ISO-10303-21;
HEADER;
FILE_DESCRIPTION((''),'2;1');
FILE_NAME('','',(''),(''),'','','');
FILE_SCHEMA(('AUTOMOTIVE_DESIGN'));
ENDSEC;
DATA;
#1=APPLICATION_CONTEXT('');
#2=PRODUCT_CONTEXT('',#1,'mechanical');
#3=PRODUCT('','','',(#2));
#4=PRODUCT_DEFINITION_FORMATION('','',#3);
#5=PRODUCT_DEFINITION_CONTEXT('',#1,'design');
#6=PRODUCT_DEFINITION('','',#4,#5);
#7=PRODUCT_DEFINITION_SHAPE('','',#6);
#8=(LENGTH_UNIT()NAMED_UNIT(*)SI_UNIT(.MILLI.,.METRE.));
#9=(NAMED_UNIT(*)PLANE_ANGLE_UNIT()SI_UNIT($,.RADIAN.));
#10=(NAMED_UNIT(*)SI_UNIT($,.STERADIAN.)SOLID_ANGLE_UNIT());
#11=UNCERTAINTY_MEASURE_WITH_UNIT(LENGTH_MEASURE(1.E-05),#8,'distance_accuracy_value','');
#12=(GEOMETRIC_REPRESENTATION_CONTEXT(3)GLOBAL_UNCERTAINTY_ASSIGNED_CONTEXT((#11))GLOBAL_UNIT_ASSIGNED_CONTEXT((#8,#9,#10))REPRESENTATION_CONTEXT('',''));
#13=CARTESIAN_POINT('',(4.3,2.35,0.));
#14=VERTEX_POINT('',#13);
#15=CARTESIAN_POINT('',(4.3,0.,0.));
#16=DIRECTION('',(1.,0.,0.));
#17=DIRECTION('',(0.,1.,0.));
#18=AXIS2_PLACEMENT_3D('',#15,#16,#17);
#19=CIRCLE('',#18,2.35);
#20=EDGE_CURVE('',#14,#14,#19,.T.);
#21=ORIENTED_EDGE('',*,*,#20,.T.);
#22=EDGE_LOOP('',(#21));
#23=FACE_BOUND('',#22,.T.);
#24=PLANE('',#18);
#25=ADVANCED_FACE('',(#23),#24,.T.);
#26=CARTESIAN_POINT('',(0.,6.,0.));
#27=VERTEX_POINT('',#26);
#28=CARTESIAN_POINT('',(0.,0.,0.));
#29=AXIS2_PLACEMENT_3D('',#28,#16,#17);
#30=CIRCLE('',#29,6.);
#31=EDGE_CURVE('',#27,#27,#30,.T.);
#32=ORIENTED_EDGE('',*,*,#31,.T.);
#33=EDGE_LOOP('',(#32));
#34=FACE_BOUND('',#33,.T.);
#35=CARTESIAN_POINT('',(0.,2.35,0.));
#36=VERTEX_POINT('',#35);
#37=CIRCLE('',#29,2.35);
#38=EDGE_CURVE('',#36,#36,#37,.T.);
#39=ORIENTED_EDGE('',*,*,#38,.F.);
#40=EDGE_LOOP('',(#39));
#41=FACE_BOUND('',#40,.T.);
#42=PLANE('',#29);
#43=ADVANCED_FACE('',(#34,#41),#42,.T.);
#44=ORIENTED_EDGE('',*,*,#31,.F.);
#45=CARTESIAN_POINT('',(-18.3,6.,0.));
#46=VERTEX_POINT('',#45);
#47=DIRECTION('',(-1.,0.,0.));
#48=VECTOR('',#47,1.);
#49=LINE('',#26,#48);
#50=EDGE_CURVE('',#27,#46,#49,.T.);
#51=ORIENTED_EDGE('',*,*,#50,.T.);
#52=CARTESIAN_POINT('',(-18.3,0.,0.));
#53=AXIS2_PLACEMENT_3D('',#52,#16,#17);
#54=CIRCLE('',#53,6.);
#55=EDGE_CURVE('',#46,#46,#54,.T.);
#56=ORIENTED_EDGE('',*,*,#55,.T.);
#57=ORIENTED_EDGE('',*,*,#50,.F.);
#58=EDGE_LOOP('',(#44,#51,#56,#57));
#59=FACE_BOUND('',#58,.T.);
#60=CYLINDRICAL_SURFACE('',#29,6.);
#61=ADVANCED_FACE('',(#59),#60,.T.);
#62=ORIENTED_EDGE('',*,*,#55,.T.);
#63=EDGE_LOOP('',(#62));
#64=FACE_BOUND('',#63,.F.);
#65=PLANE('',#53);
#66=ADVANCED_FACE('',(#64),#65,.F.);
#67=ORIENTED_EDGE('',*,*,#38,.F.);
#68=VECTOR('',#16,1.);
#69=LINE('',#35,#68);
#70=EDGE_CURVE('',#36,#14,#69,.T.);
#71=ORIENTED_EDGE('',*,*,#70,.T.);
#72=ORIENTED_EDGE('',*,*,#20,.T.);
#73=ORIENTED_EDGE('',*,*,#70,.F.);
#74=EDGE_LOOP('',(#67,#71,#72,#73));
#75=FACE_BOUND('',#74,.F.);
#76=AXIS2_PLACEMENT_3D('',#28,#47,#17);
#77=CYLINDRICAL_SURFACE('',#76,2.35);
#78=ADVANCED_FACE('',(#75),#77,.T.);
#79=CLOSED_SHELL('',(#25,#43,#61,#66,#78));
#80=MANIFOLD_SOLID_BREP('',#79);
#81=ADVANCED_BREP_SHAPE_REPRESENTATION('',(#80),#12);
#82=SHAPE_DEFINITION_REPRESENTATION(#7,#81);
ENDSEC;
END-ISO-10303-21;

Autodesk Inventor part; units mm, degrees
ref_plane "YZ Plane" through (0, 0, 0) normal (1, 0, 0) x (0, 1, 0)
ref_plane "XZ Plane" through (0, 0, 0) normal (0, 1, 0) x (-1, 0, 0)
ref_plane "XY Plane" through (0, 0, 0) normal (0, 0, 1) x (1, 0, 0)
sketch "スケッチ1" plane through (0, 0, 0) normal (1, 0, 0) x (0, 1, 0)
  circle A0 centre (0, 0) radius 6
  circle A1 centre (0, 0) radius 2.35
  dimension "d0" = 12
  dimension "d1" = 4.7
extrude "押し出し1" add sketch "スケッチ1" against normal blind 18.3 contours A0 | A1
extrude "押し出し2" add sketch "スケッチ1" along normal blind 4.3 contours A1
properties part number "slipring"
